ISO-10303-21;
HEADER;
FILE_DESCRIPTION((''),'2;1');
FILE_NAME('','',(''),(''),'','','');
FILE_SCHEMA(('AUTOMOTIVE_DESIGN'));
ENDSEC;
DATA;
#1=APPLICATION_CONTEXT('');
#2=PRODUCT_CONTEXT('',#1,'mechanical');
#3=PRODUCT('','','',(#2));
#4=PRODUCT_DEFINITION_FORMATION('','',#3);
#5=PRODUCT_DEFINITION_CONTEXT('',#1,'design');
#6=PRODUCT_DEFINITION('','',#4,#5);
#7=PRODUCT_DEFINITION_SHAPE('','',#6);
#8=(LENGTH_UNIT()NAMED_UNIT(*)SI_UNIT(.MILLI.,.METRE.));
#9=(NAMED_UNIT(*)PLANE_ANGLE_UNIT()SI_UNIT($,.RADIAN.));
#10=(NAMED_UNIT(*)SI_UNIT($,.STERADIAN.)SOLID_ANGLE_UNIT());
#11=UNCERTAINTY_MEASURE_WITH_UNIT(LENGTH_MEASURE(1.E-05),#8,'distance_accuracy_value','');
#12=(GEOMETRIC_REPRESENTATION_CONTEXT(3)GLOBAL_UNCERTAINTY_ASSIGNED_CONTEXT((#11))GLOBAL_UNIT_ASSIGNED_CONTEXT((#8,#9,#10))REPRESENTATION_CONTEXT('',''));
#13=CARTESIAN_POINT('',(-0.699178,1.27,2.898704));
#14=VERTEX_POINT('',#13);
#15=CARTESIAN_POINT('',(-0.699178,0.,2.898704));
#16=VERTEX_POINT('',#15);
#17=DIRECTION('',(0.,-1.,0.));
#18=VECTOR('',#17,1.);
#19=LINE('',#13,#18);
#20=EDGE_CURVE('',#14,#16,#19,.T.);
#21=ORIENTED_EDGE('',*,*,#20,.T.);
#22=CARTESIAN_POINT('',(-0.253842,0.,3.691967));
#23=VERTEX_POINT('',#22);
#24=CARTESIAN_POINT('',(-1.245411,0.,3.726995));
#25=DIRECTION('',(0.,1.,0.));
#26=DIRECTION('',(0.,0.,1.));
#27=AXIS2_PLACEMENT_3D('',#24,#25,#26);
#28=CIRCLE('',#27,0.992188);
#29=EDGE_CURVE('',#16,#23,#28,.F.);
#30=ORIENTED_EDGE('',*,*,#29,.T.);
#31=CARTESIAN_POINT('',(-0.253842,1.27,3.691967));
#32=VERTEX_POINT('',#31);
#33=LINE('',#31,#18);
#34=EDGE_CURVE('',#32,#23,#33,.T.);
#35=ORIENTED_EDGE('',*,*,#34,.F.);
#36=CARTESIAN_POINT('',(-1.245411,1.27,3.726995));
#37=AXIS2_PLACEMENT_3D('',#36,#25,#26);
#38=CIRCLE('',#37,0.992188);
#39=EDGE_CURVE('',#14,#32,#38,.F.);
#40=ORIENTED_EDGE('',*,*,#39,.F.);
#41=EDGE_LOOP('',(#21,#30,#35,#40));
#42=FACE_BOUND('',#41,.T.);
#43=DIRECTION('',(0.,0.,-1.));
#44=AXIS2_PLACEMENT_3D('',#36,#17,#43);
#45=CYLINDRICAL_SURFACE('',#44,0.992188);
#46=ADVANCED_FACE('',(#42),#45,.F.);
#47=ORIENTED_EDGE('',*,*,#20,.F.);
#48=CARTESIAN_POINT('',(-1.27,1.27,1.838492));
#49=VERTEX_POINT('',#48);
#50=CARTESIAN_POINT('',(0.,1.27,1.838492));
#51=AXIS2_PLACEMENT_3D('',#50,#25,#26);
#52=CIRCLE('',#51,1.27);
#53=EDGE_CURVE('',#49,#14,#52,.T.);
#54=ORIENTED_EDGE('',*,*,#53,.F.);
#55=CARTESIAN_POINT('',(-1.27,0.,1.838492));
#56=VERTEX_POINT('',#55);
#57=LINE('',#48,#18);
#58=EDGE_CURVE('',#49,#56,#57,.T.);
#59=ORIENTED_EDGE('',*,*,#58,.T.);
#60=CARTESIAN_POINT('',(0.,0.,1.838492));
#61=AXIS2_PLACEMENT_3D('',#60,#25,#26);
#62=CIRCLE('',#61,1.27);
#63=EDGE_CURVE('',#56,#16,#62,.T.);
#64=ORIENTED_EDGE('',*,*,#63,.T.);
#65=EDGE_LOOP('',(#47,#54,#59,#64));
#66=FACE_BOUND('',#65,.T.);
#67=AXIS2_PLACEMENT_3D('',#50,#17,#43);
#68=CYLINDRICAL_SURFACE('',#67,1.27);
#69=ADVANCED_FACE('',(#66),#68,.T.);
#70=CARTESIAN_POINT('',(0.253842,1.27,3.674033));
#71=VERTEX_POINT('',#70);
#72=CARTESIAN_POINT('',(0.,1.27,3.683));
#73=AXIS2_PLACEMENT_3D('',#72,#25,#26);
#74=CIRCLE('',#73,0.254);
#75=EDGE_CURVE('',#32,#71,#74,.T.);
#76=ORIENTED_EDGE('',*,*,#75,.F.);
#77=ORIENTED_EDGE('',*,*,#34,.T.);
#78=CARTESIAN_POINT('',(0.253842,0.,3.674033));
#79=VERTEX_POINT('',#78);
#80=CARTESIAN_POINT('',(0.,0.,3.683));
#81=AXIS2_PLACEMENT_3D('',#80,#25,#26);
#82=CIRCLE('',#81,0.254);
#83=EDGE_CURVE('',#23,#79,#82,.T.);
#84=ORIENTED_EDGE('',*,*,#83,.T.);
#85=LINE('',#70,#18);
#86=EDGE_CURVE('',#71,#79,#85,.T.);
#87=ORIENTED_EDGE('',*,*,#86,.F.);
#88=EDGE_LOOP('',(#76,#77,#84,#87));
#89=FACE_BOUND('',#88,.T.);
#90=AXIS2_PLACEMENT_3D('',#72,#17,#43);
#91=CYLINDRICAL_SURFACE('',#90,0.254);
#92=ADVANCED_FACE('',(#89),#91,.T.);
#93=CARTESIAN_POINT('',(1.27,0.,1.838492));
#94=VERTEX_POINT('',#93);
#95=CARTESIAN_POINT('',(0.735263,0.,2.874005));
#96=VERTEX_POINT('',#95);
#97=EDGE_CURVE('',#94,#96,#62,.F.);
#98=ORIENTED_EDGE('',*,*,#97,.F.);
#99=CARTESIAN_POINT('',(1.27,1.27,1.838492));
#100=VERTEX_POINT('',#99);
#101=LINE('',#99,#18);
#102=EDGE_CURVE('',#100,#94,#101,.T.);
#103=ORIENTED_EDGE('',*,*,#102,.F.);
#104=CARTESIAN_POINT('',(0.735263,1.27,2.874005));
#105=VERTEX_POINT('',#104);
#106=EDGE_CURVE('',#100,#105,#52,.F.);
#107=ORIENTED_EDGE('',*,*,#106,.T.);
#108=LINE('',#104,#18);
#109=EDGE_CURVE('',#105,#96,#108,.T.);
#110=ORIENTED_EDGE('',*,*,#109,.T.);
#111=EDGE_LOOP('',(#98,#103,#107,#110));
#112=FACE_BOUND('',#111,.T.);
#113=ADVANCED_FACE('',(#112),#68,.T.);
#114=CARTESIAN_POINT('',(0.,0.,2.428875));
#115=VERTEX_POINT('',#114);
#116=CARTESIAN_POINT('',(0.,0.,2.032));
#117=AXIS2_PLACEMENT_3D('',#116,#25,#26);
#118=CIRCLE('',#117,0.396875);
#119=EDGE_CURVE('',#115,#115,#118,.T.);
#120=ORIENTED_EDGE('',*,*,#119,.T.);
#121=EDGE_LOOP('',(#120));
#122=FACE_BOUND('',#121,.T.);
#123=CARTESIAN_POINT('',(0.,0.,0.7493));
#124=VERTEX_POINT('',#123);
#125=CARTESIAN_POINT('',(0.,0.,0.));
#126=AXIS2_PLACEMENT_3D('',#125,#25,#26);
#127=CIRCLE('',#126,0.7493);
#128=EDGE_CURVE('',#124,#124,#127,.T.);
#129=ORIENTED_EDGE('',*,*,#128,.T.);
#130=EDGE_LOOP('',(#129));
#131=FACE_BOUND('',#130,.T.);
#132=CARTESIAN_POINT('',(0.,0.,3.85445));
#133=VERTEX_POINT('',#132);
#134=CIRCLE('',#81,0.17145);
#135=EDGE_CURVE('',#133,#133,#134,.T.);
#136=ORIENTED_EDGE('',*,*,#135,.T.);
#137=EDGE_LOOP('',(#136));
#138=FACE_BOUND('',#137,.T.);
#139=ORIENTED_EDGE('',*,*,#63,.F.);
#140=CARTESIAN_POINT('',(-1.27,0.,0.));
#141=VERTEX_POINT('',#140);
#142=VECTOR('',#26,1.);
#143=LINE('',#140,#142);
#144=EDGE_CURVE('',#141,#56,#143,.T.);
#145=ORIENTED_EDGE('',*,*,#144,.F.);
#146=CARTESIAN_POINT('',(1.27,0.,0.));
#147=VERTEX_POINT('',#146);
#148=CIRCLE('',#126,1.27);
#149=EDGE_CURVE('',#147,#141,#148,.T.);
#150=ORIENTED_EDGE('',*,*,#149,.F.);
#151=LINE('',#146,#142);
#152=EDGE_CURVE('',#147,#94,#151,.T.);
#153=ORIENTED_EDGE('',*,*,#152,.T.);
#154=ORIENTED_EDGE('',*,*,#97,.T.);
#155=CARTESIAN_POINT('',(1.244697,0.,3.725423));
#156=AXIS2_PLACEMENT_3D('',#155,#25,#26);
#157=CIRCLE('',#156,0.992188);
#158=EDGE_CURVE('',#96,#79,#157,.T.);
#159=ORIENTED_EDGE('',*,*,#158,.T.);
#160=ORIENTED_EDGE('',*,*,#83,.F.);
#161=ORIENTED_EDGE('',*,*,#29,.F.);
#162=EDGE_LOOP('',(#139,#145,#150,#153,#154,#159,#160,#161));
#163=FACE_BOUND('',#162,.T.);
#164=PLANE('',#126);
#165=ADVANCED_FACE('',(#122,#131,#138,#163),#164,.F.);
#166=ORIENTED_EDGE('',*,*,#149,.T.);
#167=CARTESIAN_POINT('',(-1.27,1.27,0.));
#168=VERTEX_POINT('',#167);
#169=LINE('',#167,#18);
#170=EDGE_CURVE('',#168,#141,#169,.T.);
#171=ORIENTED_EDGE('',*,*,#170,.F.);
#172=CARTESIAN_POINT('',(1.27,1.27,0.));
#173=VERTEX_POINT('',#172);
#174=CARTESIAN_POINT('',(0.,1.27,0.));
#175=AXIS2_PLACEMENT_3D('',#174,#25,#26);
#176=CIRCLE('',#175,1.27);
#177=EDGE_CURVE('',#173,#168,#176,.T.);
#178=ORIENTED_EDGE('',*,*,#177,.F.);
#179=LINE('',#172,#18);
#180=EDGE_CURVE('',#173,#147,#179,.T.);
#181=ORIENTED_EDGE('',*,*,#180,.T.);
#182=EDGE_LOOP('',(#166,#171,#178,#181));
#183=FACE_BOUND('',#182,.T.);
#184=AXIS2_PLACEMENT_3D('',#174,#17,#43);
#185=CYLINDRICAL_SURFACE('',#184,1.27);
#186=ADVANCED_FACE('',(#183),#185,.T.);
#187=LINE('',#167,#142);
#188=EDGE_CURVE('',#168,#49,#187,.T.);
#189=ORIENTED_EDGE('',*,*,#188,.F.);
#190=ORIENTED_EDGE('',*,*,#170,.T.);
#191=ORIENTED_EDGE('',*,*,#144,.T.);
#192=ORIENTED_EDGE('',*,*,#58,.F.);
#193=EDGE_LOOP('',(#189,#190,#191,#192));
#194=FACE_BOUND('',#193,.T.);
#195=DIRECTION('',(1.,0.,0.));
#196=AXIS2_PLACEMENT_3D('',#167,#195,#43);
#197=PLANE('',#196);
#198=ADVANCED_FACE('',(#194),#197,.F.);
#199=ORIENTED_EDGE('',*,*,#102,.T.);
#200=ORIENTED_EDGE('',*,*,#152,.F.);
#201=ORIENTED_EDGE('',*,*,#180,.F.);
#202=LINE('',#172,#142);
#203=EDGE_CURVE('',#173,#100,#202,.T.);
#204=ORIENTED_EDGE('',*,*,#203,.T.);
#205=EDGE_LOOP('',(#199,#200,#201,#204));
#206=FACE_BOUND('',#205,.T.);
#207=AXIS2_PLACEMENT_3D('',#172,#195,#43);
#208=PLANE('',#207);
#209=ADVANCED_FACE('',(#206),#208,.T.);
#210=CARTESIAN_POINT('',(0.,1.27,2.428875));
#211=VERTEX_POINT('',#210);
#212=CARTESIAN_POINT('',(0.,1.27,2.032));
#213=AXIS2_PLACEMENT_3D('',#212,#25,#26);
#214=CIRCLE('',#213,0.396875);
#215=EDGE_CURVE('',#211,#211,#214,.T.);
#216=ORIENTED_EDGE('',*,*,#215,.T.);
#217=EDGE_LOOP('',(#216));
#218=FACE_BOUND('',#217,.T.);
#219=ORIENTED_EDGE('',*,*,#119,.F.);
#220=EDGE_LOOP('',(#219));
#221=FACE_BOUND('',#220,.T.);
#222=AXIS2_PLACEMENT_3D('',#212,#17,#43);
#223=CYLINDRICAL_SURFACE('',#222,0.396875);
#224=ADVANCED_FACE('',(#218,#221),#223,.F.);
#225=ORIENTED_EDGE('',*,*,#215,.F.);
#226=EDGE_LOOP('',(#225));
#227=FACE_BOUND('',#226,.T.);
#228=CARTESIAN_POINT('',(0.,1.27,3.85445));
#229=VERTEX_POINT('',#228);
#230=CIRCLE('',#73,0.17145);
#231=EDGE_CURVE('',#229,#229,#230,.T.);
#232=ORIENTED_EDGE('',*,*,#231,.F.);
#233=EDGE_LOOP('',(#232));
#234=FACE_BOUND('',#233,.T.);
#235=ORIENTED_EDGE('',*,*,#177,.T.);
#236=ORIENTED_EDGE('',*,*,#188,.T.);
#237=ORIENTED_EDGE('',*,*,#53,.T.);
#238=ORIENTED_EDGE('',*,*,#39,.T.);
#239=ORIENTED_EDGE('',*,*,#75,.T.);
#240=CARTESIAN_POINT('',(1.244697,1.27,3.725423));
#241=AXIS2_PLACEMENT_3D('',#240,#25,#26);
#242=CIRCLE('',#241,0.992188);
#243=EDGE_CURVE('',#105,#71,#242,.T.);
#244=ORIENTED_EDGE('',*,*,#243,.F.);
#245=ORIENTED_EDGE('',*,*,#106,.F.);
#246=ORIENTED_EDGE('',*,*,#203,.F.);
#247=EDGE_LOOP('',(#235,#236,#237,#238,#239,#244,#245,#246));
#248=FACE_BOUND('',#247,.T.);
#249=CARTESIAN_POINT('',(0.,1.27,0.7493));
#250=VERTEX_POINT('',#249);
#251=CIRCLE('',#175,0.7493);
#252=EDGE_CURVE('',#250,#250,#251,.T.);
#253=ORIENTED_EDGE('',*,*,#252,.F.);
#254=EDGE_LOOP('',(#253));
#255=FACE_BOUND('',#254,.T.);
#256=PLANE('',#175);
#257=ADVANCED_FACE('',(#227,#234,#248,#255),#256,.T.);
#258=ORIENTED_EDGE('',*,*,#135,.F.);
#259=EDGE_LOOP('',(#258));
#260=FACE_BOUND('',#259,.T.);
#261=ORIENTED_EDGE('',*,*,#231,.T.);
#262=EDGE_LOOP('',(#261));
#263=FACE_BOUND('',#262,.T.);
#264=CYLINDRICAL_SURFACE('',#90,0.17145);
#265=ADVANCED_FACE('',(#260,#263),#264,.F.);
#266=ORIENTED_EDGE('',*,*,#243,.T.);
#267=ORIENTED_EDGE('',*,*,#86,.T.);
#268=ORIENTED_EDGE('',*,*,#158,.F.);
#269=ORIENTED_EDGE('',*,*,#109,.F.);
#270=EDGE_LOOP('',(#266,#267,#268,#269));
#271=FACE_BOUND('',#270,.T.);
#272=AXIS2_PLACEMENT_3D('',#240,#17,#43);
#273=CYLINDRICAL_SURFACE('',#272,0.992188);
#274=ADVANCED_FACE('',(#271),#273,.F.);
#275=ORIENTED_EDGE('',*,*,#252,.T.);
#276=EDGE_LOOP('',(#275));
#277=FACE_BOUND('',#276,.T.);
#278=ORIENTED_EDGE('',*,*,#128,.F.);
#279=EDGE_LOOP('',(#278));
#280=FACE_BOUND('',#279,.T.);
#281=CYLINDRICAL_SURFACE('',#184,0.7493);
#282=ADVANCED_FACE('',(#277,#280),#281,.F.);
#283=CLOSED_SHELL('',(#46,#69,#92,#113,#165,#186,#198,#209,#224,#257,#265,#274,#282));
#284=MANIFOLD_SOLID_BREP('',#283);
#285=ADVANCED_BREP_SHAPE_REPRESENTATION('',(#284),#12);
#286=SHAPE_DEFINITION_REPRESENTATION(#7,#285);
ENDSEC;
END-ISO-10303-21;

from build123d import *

# Parameters (mm, degrees)
SKETCH1_R           = 0.396875
SKETCH1_R_2         = 0.7493
SKETCH1_R_3         = 0.254
SKETCH1_R_4         = 0.17145
BOSS_EXTRUDE1_DEPTH = 1.27


with BuildPart() as part:
    # Sketch1 → Boss-Extrude1 (new body)
    # profile 1 of 2: a face of its own
    with BuildSketch(Plane(origin=(0, 0, 0), x_dir=(1, 0, 0), z_dir=(0, 1, 0))):
        with BuildLine():
            ThreePointArc((1.27, 0), (0, 1.27), (-1.27, 0))
            Line((-1.27, 0), (-1.27, -1.838491681))
            ThreePointArc((-1.27, -1.838491681), (-1.11822537, -2.440548175), (-0.699177919, -2.898704037))
            ThreePointArc((-0.699177919, -2.898704037), (-0.380237195, -3.241288343), (-0.253841665, -3.691967121))
            ThreePointArc((-0.253841665, -3.691967121), (-0.008967121, -3.429158335), (0.253841665, -3.674032879))
            ThreePointArc((0.253841665, -3.674032879), (0.394562935, -3.213849735), (0.735263158, -2.874005123))
            ThreePointArc((0.735263158, -2.874005123), (1.128424612, -2.421207645), (1.27, -1.838491681))
            Line((1.27, -1.838491681), (1.27, 0))
        make_face()
        with Locations(Location((0, -2.032, 0), (0, 0, 270))):
            Circle(SKETCH1_R, mode=Mode.SUBTRACT)
        with Locations(Location((0, 0, 0), (0, 0, 270))):
            Circle(SKETCH1_R_2, mode=Mode.SUBTRACT)
    # profile 2 of 2: a face of its own
    with BuildSketch(Plane(origin=(0, 0, 0), x_dir=(1, 0, 0), z_dir=(0, 1, 0))):
        with Locations((0, -3.683)):
            Circle(SKETCH1_R_3)
        with Locations(Location((0, -3.683, 0), (0, 0, 270))):
            Circle(SKETCH1_R_4, mode=Mode.SUBTRACT)
    extrude(amount=BOSS_EXTRUDE1_DEPTH)


solid = part.part
